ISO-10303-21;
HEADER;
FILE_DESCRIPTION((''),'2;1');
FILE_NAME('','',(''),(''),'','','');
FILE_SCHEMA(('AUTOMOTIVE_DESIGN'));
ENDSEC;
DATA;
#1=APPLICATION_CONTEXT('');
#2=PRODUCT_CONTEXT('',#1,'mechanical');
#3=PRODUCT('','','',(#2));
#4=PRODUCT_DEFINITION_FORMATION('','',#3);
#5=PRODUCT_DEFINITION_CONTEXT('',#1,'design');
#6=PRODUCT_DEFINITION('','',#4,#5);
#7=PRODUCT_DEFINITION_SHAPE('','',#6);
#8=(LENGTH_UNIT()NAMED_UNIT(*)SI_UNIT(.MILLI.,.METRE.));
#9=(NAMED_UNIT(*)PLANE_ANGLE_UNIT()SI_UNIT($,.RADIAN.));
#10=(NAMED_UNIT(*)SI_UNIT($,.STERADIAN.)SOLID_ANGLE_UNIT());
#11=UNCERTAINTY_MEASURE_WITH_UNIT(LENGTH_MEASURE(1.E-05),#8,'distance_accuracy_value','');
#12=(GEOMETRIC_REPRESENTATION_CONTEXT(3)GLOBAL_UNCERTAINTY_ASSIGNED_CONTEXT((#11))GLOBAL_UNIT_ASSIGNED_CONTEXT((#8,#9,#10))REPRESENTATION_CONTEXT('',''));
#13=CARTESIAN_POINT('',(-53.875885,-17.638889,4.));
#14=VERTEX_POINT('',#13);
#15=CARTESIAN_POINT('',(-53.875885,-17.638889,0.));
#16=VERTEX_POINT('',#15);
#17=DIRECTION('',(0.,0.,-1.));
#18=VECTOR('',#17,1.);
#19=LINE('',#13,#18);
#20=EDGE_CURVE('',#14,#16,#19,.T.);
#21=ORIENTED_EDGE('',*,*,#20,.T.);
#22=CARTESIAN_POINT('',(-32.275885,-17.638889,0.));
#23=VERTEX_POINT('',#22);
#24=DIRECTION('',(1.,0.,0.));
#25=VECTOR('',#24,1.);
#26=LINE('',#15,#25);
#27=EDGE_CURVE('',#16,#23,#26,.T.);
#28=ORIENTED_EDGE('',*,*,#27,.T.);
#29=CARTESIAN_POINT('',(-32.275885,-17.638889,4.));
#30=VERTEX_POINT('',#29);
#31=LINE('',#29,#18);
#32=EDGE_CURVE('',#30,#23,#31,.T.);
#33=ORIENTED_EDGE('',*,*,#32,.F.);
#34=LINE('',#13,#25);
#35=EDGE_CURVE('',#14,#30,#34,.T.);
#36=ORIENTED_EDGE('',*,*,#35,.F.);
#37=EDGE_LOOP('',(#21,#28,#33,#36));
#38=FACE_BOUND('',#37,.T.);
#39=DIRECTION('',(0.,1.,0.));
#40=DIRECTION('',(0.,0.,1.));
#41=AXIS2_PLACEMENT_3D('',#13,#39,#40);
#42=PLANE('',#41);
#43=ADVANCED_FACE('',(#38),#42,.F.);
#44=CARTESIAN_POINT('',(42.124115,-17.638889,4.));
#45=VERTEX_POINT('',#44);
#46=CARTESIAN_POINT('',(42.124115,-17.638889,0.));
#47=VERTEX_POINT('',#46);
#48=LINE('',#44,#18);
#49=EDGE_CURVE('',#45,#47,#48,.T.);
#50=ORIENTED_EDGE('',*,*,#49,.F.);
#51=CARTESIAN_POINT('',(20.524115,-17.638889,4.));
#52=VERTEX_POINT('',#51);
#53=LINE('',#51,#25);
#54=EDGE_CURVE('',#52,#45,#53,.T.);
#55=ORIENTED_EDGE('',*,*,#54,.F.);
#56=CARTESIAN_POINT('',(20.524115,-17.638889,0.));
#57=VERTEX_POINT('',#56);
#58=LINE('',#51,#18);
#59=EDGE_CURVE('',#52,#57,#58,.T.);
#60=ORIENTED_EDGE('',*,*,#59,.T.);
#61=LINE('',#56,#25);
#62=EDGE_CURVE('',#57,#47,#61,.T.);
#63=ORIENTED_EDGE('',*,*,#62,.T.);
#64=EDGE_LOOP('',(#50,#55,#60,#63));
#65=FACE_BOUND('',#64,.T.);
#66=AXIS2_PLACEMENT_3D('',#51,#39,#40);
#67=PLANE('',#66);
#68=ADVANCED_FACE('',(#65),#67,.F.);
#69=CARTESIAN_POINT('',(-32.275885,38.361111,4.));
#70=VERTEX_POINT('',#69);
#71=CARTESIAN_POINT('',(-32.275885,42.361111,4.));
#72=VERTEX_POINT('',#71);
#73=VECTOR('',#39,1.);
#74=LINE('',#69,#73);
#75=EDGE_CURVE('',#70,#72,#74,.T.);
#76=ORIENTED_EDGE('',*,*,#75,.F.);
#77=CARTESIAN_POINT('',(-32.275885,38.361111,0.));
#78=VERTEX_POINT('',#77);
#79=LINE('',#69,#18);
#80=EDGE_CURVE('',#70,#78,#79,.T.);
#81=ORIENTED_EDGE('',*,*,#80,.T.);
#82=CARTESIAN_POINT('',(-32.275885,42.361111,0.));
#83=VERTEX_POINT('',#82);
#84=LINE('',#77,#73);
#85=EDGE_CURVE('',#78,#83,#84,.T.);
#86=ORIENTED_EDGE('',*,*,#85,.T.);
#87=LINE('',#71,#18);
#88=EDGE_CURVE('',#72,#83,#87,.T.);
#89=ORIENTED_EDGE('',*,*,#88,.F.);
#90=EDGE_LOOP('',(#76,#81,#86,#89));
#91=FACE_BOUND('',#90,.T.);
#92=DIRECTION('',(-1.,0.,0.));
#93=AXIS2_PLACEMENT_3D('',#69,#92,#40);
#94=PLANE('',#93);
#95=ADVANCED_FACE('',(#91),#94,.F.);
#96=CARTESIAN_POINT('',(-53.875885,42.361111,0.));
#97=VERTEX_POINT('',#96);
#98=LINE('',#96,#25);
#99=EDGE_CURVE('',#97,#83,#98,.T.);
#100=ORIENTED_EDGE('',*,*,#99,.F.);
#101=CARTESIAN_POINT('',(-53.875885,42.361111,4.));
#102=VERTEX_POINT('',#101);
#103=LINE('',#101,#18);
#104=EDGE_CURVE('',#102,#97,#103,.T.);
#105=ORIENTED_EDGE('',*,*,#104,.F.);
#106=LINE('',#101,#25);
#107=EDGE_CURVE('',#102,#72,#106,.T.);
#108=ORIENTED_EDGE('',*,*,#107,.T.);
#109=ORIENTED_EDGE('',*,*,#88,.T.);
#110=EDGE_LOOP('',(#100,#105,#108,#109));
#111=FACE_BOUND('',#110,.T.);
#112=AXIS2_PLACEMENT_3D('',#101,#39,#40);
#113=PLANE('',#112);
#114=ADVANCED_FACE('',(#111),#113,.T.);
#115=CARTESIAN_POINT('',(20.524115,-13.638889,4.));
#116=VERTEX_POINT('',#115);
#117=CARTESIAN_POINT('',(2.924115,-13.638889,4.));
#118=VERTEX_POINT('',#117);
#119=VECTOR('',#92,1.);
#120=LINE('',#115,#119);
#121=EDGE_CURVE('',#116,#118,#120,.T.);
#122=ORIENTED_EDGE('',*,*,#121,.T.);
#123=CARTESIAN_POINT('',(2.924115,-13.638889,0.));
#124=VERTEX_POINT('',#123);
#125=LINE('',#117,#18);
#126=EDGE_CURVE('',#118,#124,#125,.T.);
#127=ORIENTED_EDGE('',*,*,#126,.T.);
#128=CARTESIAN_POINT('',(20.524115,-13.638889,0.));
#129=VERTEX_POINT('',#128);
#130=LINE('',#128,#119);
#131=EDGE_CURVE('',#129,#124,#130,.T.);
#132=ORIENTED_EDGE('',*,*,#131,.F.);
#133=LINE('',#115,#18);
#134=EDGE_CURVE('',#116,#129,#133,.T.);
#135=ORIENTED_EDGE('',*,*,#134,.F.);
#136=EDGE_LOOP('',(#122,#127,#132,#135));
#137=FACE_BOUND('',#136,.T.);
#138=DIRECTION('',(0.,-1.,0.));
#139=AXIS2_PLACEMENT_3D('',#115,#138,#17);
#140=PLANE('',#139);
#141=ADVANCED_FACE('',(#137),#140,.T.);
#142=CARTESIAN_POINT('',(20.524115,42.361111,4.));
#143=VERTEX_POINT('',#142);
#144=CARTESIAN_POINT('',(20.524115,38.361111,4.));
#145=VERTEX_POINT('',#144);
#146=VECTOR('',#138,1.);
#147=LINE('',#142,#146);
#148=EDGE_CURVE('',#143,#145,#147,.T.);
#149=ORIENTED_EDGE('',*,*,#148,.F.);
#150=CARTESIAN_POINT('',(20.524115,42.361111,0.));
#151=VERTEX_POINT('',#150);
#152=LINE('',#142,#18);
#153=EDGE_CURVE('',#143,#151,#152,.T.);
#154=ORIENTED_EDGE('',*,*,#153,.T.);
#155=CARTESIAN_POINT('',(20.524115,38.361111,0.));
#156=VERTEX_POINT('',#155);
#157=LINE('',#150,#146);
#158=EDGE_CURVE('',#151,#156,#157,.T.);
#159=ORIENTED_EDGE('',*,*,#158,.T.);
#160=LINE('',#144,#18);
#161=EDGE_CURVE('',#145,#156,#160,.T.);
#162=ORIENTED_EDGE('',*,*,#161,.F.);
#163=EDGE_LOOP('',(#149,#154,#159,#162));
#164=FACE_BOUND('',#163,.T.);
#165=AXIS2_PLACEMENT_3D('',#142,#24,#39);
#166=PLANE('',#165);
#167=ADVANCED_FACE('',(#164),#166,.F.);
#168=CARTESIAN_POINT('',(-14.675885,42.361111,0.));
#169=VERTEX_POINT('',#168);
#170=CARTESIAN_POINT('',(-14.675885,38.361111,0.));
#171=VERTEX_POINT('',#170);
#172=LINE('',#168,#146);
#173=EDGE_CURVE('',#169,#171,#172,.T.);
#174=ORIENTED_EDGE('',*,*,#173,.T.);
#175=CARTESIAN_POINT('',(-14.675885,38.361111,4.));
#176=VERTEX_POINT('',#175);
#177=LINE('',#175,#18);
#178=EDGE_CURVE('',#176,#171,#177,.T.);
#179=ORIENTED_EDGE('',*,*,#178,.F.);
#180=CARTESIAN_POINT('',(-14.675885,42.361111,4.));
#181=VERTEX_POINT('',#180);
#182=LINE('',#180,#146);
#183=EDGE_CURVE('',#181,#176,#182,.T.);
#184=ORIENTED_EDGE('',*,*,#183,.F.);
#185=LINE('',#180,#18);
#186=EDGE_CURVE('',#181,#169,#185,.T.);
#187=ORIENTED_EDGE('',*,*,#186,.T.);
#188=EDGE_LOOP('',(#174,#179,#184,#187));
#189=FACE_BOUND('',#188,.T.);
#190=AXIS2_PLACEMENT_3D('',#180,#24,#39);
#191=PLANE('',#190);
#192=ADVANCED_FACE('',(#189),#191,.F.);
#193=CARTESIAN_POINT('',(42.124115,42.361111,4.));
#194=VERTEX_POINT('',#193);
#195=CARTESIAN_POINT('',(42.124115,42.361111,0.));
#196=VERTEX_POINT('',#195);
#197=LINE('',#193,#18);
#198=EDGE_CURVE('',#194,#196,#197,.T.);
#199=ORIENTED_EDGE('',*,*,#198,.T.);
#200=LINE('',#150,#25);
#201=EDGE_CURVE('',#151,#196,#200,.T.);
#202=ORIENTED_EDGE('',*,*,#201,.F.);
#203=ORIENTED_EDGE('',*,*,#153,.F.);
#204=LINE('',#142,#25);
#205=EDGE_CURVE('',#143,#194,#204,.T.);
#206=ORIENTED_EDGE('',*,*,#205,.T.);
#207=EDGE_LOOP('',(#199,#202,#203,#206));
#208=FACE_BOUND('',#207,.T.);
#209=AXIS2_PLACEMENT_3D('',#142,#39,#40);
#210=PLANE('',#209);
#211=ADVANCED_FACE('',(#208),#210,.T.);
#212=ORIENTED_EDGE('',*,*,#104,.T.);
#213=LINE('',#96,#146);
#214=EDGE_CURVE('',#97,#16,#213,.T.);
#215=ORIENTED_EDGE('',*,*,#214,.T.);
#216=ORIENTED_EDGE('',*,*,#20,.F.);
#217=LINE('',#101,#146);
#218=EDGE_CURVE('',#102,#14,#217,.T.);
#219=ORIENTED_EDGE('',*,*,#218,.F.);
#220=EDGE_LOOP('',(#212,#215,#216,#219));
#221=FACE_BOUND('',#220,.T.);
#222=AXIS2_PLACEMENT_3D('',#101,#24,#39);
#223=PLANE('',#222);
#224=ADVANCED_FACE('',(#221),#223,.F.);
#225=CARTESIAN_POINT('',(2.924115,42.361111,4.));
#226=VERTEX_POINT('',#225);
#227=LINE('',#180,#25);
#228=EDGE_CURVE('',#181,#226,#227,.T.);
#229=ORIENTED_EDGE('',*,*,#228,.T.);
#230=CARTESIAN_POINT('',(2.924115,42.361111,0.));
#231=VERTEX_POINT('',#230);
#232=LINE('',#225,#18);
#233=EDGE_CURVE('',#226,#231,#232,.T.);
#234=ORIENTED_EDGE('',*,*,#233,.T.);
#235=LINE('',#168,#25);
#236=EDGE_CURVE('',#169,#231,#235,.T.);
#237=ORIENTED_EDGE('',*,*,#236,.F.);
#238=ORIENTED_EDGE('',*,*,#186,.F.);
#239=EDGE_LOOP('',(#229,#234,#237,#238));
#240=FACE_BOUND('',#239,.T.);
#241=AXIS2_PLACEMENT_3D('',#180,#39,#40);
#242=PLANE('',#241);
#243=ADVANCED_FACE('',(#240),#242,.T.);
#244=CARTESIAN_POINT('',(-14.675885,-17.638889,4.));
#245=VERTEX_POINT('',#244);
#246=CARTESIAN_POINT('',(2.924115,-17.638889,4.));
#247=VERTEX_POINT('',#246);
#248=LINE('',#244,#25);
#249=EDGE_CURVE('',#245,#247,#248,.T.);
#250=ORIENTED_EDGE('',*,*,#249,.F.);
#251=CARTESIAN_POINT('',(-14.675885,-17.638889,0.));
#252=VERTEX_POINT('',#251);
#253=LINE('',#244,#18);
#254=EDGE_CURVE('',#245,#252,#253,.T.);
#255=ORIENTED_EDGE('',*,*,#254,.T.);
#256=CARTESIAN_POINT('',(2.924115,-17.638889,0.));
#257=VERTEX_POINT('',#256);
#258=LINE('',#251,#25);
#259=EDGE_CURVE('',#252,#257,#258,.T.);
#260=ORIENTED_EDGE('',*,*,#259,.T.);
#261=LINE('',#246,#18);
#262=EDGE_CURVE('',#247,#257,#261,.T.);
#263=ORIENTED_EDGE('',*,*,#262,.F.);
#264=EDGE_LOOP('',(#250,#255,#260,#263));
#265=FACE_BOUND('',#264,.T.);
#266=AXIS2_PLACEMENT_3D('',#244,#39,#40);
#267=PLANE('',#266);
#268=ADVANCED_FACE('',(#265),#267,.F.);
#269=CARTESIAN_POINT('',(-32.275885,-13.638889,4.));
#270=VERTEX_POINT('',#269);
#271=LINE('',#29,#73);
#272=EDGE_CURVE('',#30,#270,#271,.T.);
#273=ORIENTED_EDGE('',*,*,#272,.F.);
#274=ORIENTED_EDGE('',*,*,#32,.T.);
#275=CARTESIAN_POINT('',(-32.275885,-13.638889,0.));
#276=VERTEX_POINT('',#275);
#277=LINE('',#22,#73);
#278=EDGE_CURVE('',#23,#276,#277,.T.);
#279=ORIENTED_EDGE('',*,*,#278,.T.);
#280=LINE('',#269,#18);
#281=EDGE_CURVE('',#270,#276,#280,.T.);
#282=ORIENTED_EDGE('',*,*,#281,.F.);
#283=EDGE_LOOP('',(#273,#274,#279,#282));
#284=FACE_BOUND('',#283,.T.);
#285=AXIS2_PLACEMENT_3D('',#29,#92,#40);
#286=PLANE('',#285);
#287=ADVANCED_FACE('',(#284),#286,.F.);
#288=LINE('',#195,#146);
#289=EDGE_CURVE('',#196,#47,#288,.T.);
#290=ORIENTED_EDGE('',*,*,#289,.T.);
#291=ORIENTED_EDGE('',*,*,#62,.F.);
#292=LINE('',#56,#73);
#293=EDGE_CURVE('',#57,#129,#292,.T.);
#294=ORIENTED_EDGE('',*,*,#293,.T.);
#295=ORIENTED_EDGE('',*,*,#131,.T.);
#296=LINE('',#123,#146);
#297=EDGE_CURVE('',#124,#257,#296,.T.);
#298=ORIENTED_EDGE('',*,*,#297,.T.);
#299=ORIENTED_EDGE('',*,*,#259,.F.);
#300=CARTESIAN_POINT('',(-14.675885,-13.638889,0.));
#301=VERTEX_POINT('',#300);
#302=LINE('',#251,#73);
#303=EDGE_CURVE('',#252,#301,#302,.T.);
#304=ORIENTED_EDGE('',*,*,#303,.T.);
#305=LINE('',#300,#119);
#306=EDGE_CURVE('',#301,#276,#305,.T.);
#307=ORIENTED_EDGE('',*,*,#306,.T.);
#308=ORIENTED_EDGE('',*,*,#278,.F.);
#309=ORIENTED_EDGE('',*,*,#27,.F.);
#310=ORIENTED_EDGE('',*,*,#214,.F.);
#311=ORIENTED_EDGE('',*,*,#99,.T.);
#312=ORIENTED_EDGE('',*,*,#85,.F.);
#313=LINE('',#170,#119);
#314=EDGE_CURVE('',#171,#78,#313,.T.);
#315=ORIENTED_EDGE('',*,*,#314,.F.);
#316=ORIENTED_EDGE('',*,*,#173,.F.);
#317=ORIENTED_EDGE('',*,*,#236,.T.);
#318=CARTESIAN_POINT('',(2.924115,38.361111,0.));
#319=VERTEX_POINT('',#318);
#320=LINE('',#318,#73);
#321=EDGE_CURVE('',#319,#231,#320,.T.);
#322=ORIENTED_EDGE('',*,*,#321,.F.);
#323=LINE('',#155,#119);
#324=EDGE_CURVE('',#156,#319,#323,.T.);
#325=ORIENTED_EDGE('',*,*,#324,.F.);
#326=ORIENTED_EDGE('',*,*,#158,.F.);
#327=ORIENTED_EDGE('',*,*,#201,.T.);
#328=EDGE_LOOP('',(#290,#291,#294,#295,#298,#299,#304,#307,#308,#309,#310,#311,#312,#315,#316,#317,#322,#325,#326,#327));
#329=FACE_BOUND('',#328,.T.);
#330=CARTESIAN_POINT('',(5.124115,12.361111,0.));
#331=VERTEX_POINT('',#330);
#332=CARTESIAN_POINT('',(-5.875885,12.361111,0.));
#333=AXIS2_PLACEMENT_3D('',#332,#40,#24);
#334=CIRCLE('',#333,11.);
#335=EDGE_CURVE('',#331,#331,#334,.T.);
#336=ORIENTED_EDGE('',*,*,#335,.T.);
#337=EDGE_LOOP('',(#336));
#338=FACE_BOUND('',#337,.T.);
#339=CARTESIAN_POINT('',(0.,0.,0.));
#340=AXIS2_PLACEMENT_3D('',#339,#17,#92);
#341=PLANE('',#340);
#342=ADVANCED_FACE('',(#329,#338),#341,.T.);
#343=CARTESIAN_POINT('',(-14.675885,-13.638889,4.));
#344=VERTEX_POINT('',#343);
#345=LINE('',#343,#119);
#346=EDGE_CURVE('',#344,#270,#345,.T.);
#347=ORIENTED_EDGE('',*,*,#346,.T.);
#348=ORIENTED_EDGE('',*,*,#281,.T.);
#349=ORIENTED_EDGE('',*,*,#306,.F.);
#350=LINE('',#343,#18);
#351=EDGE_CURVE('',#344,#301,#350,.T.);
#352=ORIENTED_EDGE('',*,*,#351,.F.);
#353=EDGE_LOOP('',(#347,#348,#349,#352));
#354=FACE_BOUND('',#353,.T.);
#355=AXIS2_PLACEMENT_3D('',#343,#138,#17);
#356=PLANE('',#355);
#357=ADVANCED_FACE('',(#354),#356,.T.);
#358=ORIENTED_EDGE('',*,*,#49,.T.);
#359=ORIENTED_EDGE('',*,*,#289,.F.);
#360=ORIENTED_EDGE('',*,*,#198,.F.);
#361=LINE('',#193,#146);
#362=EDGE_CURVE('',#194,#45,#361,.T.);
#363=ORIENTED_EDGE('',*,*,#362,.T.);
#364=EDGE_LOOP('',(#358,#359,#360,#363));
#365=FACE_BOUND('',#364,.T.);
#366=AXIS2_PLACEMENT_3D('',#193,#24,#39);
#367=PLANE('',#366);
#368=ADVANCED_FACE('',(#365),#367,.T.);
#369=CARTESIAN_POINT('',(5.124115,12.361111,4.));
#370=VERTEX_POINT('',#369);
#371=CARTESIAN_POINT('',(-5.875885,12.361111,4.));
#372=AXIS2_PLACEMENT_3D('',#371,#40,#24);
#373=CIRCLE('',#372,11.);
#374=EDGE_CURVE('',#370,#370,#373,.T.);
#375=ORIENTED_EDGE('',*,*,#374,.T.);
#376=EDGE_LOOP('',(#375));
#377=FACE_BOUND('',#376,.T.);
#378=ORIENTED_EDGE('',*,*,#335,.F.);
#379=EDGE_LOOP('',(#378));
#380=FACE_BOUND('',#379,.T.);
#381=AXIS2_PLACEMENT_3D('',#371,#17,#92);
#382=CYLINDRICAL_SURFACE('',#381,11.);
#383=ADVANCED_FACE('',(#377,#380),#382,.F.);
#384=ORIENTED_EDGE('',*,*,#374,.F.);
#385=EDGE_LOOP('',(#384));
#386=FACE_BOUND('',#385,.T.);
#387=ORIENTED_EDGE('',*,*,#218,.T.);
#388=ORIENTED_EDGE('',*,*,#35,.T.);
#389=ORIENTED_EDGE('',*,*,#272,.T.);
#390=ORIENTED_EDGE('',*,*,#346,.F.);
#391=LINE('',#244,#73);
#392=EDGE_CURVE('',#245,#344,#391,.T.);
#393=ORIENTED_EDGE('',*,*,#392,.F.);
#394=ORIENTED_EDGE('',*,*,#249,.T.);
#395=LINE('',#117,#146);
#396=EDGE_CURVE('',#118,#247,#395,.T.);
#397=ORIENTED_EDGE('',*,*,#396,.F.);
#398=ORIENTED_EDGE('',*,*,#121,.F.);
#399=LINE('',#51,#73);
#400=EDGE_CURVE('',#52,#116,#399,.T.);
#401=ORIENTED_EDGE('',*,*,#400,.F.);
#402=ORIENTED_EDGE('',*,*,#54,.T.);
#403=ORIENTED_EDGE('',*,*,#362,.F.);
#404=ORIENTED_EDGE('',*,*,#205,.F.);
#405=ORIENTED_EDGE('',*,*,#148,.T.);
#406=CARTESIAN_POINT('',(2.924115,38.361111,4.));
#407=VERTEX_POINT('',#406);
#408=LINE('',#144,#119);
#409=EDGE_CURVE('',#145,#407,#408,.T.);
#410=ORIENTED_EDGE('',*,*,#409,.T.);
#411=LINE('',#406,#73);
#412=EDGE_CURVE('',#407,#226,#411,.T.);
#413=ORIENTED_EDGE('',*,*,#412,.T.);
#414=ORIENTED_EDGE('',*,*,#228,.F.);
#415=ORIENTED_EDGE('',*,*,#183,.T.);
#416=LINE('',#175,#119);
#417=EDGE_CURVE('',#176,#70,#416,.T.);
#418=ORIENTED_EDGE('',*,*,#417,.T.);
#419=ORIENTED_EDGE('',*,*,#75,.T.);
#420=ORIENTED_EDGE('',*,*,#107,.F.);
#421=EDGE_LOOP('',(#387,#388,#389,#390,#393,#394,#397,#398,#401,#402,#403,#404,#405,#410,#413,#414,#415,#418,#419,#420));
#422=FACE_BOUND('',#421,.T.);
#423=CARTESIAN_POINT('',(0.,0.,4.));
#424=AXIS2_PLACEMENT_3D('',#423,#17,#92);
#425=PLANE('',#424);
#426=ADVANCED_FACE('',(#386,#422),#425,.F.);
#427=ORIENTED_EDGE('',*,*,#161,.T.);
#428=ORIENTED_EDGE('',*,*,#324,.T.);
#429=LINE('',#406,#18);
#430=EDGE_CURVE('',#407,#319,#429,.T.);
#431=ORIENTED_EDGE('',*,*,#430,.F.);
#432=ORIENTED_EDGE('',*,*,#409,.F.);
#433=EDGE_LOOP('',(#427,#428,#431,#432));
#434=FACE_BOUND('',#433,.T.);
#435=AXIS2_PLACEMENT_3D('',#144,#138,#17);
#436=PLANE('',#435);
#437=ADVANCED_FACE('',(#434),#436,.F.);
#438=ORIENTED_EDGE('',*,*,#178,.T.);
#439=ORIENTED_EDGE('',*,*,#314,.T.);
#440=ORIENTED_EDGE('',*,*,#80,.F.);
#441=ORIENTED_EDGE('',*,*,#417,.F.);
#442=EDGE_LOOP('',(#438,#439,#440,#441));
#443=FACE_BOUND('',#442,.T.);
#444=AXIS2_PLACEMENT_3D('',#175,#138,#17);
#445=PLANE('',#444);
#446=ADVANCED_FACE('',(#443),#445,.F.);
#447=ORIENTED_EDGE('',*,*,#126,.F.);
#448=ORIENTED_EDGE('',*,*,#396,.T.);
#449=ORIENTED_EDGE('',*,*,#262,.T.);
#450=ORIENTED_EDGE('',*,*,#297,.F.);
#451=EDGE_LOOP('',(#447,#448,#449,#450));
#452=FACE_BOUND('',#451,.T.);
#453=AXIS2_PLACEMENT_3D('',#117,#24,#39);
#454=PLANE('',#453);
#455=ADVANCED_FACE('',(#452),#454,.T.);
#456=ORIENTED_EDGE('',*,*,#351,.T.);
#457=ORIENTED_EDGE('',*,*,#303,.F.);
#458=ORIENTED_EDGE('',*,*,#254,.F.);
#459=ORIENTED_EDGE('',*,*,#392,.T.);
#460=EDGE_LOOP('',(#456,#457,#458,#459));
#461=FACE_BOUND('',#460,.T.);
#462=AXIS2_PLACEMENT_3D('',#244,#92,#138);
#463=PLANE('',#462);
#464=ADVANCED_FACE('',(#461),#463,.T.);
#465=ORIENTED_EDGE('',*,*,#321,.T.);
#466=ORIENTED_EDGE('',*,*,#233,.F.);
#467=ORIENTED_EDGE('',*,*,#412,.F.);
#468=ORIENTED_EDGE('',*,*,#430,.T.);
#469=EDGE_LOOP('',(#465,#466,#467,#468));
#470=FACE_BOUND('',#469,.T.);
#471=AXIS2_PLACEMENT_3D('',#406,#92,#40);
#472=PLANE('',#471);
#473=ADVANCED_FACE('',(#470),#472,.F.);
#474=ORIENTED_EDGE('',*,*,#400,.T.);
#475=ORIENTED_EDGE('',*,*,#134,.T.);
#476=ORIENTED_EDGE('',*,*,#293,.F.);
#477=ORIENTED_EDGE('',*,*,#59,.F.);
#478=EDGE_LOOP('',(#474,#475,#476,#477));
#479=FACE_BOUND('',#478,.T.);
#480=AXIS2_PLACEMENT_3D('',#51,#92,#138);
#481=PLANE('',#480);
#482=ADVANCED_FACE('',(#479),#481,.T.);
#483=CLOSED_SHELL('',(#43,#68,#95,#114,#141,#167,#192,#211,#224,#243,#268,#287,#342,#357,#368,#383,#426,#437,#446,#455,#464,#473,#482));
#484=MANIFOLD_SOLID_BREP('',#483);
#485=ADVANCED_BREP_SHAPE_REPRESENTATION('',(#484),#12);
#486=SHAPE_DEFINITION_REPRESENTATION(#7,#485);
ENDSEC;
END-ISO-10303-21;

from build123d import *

# Parameters (mm, degrees)
SKETCH1_R           = 11
BOSS_EXTRUDE1_DEPTH = 4


with BuildPart() as part:
    # Sketch1 → Boss-Extrude1 (new body)
    with BuildSketch(Plane.XY):
        Polygon((-53.875885035, 42.361111111), (-32.275885035, 42.361111111), (-32.275885035, 38.361111111), (-14.675885035, 38.361111111), (-14.675885035, 42.361111111), (2.924114965, 42.361111111), (2.924114965, 38.361111111), (20.524114965, 38.361111111), (20.524114965, 42.361111111), (42.124114965, 42.361111111), (42.124114965, -17.638888889), (20.524114965, -17.638888889), (20.524114965, -13.638888889), (2.924114965, -13.638888889), (2.924114965, -17.638888889), (-14.675885035, -17.638888889), (-14.675885035, -13.638888889), (-32.275885035, -13.638888889), (-32.275885035, -17.638888889), (-53.875885035, -17.638888889), align=None)
        with Locations((-5.875885035, 12.361111111)):
            Circle(SKETCH1_R, mode=Mode.SUBTRACT)
    extrude(amount=BOSS_EXTRUDE1_DEPTH)


solid = part.part
